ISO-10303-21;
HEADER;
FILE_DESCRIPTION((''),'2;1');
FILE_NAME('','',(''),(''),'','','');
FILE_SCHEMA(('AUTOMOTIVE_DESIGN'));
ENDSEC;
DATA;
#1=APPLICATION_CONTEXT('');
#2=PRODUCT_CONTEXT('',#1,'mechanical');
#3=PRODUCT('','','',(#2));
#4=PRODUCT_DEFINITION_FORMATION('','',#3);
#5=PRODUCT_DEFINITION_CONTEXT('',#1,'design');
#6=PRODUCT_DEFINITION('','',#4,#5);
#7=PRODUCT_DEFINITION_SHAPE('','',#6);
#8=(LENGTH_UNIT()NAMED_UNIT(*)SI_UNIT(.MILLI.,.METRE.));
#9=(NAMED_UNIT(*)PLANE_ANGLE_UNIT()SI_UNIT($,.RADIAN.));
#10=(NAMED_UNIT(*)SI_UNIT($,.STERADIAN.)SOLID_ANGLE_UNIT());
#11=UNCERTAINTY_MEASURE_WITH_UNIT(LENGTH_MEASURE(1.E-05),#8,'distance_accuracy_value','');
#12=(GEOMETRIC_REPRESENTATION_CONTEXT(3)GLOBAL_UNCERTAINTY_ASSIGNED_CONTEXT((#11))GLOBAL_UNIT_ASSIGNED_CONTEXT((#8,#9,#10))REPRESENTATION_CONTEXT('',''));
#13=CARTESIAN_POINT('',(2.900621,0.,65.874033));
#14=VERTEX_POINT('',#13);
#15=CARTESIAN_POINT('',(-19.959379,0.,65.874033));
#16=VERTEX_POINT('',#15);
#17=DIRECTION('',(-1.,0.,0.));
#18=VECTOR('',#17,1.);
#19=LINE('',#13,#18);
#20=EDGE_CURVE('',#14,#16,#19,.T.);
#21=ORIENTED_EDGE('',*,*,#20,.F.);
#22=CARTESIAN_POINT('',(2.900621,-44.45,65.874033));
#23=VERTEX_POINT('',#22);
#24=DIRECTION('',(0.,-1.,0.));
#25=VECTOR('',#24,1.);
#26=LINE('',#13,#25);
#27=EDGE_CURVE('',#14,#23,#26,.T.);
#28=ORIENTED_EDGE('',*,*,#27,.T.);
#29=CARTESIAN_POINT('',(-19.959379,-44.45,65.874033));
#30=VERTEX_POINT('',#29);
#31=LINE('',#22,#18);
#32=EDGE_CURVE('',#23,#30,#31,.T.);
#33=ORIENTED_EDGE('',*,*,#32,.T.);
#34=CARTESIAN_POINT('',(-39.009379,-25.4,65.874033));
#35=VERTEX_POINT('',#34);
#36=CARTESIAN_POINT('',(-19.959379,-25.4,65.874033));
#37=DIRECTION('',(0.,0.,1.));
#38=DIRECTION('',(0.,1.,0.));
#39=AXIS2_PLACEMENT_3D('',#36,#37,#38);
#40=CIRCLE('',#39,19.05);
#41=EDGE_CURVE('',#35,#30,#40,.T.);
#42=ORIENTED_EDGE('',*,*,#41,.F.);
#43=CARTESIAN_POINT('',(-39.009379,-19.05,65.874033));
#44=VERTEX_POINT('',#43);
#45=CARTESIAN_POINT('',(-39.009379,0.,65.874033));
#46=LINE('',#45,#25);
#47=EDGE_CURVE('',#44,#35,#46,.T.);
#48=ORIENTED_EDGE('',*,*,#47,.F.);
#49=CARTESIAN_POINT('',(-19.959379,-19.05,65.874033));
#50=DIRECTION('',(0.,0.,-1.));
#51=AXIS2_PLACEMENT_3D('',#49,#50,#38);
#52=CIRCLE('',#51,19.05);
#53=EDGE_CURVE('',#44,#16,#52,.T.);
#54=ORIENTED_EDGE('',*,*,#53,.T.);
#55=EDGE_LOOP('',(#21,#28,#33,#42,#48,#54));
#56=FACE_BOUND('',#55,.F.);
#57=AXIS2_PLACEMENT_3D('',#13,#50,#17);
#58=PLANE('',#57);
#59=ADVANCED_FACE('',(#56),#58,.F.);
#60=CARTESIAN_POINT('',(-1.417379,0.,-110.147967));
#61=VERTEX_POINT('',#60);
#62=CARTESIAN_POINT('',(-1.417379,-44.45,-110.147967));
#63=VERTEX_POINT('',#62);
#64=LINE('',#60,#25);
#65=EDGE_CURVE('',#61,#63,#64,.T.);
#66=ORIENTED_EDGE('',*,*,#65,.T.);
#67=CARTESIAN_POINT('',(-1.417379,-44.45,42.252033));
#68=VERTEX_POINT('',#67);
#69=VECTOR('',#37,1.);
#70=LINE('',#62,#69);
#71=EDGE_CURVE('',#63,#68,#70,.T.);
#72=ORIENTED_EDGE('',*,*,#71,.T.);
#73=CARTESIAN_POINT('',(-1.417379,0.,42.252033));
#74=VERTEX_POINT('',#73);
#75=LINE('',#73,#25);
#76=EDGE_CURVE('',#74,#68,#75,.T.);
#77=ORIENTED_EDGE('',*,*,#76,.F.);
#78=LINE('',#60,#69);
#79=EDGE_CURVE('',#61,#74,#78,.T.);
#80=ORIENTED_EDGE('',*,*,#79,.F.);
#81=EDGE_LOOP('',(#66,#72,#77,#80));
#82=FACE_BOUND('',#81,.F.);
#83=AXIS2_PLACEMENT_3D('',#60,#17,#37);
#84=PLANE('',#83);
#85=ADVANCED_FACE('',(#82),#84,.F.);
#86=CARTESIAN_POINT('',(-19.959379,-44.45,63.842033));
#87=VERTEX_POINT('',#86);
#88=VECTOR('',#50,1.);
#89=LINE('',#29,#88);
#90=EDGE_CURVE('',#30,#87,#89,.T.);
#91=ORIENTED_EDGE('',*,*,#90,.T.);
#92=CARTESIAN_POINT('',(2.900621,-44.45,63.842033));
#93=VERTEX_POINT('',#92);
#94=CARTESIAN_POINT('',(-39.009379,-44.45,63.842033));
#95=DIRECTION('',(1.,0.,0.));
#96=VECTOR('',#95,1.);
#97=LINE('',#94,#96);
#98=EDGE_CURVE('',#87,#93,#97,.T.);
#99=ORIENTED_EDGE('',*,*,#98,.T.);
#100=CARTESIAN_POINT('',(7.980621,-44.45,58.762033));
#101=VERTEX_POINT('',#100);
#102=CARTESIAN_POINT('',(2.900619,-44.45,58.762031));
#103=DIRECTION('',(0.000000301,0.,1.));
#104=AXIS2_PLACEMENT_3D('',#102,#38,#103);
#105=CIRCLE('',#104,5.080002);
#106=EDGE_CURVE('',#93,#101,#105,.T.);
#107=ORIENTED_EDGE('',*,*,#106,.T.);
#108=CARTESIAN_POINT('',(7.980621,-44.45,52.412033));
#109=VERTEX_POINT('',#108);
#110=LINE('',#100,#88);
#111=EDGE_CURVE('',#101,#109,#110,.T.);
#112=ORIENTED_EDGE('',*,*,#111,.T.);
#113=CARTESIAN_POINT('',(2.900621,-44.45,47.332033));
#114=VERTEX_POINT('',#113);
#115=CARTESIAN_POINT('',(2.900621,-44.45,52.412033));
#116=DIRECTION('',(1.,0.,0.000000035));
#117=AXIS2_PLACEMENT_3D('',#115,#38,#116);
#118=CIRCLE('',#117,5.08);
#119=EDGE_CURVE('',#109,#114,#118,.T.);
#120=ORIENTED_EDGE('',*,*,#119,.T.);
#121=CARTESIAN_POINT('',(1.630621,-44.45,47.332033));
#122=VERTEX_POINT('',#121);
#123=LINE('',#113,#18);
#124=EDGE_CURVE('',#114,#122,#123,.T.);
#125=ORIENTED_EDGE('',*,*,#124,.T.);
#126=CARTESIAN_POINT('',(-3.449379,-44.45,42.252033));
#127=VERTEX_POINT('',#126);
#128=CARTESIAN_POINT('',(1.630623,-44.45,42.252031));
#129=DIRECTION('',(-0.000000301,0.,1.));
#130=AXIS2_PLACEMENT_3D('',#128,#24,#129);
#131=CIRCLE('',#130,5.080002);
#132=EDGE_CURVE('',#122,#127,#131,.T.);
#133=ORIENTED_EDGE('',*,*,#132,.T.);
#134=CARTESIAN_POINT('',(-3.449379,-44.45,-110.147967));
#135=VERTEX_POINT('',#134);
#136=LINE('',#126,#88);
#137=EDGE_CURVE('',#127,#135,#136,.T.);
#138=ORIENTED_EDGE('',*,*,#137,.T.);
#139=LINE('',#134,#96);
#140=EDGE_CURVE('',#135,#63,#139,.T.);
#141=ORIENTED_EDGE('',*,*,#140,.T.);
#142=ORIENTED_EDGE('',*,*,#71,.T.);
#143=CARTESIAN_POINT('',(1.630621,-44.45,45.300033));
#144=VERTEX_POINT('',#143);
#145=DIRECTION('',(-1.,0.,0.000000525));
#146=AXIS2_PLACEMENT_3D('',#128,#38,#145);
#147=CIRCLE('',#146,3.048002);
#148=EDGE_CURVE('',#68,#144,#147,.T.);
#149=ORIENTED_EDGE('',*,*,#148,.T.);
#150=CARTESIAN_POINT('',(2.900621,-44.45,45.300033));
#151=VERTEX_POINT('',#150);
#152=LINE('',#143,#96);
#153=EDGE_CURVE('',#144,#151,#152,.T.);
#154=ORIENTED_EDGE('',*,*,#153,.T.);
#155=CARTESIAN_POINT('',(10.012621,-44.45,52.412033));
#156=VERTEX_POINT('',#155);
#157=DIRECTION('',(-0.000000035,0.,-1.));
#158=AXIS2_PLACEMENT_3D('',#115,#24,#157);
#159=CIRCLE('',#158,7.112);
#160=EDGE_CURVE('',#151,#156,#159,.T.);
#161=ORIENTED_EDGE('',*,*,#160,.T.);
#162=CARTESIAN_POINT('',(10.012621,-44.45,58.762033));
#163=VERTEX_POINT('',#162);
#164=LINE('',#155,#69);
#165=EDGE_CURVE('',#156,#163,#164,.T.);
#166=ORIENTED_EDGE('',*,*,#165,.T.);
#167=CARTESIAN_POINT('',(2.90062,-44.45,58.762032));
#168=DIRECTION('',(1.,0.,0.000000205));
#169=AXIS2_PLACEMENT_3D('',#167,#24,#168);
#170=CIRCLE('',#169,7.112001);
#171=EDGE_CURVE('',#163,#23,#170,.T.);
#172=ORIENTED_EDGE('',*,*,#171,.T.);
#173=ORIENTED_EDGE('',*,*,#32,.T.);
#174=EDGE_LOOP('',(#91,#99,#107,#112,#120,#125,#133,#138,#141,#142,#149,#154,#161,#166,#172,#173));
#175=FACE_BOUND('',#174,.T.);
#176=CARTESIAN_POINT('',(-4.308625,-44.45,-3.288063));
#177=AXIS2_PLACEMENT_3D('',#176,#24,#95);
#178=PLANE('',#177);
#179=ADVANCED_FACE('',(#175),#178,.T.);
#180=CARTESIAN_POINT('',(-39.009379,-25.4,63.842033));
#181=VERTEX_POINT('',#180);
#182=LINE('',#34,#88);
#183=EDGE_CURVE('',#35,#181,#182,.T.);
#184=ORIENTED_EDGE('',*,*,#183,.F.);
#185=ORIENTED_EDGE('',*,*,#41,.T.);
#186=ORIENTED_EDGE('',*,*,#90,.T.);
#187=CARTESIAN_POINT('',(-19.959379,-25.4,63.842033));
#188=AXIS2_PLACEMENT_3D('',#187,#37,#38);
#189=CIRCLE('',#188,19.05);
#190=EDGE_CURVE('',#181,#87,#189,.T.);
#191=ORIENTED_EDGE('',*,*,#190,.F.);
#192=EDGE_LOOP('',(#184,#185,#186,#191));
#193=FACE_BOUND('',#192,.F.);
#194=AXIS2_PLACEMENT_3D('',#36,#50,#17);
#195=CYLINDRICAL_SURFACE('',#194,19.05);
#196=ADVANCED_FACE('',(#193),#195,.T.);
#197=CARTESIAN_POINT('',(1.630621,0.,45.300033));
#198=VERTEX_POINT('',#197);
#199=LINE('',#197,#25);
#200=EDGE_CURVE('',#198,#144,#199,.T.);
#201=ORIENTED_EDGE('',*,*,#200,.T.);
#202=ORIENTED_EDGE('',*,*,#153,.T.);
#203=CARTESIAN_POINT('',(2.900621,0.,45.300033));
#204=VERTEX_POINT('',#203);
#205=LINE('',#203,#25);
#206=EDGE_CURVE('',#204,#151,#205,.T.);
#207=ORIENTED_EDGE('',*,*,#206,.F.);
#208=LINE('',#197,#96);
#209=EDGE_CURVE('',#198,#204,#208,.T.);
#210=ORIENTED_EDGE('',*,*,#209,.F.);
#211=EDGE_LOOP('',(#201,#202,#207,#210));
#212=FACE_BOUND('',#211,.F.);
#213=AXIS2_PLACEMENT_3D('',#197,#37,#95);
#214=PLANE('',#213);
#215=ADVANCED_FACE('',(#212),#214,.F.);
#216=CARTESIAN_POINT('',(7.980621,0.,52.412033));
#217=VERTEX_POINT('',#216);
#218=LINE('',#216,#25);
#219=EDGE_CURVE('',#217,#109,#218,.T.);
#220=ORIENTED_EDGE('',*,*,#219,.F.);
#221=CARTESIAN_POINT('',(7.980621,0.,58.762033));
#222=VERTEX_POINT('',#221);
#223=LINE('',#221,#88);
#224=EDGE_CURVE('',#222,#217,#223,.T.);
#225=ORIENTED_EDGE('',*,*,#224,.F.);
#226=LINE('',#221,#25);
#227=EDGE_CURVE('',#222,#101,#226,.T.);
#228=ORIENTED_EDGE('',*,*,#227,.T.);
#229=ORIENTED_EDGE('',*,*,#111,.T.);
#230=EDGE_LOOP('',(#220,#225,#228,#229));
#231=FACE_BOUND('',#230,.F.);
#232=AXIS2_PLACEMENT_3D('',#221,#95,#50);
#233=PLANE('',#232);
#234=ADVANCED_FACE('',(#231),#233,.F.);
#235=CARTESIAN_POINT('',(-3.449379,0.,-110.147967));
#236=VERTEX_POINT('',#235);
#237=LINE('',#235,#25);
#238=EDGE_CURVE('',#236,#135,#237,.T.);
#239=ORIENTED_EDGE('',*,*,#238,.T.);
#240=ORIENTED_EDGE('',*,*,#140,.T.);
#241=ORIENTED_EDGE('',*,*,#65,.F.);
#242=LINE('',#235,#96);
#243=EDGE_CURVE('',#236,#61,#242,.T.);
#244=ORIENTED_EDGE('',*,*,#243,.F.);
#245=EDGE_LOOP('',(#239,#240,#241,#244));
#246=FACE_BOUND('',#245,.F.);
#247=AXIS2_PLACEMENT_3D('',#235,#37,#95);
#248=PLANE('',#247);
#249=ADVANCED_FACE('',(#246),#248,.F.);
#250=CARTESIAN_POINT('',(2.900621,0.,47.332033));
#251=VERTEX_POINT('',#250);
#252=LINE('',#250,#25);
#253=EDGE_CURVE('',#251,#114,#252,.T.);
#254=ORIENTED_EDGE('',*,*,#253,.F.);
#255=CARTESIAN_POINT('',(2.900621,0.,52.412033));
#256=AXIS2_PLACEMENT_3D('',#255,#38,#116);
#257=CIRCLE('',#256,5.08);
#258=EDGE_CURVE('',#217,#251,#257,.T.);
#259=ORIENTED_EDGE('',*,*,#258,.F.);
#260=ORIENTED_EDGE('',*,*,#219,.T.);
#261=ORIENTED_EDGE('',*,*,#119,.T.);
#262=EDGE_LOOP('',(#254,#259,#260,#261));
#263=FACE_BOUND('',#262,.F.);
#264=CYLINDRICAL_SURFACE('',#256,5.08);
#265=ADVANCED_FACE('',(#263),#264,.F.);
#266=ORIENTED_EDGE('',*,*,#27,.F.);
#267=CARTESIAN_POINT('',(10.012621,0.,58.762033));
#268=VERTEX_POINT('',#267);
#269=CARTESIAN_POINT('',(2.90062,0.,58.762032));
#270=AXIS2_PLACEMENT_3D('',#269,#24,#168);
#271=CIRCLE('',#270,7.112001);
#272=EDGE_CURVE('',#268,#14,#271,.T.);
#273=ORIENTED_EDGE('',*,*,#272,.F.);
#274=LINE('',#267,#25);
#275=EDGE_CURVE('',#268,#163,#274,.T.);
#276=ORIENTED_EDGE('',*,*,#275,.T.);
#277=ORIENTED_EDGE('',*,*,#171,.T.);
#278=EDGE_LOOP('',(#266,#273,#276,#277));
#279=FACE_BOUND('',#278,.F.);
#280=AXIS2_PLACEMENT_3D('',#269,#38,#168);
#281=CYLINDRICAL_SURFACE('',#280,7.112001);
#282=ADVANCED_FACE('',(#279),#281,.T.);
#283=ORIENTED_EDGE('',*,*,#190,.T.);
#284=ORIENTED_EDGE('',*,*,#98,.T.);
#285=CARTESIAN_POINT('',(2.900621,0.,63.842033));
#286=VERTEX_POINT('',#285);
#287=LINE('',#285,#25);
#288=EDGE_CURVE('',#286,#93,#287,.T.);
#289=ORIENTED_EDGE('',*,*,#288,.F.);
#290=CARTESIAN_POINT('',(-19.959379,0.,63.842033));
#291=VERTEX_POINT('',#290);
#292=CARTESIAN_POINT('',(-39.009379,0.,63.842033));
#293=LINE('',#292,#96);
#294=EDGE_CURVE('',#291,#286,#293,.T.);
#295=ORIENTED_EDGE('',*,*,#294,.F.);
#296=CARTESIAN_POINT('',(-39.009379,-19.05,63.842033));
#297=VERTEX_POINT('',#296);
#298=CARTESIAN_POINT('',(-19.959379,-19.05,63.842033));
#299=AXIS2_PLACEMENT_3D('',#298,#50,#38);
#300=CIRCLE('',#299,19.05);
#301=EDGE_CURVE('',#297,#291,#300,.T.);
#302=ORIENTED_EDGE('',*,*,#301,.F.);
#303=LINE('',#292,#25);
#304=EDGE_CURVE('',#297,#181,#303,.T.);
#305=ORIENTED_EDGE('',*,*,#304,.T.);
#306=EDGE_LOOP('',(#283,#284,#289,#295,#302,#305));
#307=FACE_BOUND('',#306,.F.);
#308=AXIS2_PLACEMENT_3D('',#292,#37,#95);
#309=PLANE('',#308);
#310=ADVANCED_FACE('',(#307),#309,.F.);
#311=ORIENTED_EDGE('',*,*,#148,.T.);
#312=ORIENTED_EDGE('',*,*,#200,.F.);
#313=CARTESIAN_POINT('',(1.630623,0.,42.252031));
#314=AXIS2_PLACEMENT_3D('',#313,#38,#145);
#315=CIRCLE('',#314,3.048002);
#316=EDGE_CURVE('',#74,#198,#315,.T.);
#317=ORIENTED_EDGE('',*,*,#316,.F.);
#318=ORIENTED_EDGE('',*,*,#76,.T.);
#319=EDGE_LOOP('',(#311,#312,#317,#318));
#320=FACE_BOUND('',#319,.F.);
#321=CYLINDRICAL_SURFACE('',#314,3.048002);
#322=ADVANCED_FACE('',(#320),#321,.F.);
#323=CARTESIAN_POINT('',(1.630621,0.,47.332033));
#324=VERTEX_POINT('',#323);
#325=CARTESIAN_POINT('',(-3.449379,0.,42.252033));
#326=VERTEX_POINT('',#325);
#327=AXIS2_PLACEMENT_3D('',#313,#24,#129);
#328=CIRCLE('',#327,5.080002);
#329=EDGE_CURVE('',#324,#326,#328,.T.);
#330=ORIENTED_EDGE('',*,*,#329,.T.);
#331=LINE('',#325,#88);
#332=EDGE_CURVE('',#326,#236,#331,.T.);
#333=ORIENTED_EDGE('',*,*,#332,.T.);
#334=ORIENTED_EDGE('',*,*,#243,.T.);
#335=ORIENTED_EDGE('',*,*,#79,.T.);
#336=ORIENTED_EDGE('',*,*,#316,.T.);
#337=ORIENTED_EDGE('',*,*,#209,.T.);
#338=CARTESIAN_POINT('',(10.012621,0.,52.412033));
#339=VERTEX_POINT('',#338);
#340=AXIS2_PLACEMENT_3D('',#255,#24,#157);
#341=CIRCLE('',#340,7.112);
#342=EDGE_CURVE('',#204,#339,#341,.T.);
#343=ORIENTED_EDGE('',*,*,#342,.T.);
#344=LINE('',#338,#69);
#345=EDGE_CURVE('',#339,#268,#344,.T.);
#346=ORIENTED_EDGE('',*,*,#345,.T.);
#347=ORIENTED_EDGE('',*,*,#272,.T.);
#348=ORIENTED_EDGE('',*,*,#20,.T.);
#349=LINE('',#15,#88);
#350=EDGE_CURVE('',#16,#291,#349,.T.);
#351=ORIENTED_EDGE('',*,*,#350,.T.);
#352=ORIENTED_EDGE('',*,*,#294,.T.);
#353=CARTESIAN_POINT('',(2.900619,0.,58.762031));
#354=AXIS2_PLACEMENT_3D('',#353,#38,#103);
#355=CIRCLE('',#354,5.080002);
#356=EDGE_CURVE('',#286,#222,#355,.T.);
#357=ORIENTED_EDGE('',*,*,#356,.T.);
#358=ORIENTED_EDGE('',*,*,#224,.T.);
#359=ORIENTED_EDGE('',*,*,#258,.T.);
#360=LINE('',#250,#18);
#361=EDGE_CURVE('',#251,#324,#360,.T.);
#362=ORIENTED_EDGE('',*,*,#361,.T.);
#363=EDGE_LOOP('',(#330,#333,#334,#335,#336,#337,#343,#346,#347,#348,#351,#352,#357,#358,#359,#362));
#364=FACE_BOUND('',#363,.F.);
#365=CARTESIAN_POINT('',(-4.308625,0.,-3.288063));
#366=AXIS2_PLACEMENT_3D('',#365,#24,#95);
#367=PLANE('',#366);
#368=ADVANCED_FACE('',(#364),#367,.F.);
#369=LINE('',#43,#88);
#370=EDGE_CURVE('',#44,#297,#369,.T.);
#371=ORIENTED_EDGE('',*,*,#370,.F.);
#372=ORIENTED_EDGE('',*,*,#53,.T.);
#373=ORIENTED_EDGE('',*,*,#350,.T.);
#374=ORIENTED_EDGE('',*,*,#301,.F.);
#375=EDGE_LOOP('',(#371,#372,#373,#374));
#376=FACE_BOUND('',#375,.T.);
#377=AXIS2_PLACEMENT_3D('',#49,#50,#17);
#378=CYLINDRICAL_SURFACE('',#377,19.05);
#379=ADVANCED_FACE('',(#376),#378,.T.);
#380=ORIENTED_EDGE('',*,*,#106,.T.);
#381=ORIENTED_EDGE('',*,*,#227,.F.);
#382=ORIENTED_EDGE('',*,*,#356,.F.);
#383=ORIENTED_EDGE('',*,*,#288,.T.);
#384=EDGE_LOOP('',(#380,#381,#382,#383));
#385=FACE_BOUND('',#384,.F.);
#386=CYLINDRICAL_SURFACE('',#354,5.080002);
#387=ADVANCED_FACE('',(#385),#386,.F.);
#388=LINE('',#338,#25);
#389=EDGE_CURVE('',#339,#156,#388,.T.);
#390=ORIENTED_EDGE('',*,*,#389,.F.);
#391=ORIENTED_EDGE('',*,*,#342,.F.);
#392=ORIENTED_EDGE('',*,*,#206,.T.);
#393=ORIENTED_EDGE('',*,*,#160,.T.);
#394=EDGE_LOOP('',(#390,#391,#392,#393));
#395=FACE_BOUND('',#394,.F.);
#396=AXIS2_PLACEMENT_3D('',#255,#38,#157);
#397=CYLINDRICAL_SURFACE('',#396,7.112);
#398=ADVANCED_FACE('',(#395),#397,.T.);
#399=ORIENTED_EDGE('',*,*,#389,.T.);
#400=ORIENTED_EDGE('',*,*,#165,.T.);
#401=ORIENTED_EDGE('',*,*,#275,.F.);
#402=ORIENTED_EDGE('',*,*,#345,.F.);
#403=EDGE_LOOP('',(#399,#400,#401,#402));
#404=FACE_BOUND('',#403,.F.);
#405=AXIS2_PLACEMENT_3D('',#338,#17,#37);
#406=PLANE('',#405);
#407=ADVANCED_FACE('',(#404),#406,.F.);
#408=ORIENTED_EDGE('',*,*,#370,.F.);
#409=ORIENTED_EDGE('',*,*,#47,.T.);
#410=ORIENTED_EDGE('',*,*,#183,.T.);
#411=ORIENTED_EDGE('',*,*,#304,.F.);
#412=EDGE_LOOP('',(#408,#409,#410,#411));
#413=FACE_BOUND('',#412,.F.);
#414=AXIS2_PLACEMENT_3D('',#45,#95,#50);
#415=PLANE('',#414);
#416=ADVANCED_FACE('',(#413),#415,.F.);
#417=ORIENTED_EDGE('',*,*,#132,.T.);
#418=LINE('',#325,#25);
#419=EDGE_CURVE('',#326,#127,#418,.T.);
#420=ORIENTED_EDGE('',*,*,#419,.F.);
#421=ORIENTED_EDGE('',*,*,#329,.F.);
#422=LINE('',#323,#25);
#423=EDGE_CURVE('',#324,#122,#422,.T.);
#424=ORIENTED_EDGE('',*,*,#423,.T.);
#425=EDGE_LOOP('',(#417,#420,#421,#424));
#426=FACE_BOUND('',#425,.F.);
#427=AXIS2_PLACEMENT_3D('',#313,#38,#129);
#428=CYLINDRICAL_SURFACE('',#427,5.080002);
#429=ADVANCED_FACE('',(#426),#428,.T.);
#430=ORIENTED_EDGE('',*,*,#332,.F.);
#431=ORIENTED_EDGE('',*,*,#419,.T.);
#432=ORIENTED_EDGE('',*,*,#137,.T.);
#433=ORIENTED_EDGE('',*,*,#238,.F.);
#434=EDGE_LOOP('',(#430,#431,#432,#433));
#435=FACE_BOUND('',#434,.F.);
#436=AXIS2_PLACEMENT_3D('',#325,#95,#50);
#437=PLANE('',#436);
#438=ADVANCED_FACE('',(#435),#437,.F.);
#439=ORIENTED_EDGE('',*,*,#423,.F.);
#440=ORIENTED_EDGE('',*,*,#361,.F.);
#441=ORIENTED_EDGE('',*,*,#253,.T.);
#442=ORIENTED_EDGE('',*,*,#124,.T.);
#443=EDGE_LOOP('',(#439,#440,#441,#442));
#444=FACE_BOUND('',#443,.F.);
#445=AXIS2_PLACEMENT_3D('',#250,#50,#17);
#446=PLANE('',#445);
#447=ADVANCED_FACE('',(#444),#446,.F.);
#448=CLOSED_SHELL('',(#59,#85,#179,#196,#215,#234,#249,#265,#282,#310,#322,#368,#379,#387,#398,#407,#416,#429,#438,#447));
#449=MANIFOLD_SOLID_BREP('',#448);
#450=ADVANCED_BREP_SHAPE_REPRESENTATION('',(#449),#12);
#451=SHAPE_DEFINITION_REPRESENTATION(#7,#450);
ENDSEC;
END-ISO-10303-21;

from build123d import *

# Parameters (mm, degrees)
F1_DEPTH = 44.45
F2_R     = 19.05


with BuildPart() as f1:
    # F0 (on Front) → F1 (new body)
    with BuildSketch(Plane.XZ):
        with BuildLine():
            Line((-39.009379, 65.874033), (-39.009379, 63.842033))
            Line((-39.009379, 63.842033), (2.900621, 63.842033))
            ThreePointArc((2.900621, 63.842033), (6.492723, 62.354135), (7.980621, 58.762033))
            Line((7.980621, 58.762033), (7.980621, 52.412033))
            ThreePointArc((7.980621, 52.412033), (6.492723, 48.81993), (2.900621, 47.332033))
            Line((2.900621, 47.332033), (1.630621, 47.332033))
            ThreePointArc((1.630621, 47.332033), (-1.961481, 45.844135), (-3.449379, 42.252033))
            Line((-3.449379, 42.252033), (-3.449379, -110.147967))
            Line((-3.449379, -110.147967), (-1.417379, -110.147967))
            Line((-1.417379, -110.147967), (-1.417379, 42.252033))
            ThreePointArc((-1.417379, 42.252033), (-0.52464, 44.407294), (1.630621, 45.300033))
            Line((1.630621, 45.300033), (2.900621, 45.300033))
            ThreePointArc((2.900621, 45.300033), (7.929564, 47.383089), (10.012621, 52.412033))
            Line((10.012621, 52.412033), (10.012621, 58.762033))
            ThreePointArc((10.012621, 58.762033), (7.929564, 63.790976), (2.900621, 65.874033))
            Line((2.900621, 65.874033), (-39.009379, 65.874033))
        make_face()
    extrude(amount=F1_DEPTH)

    # F2
    f2_edges = [f1.edges().sort_by_distance(p)[0] for p in [
        (-39.009379, 0, 64.858033),
        (-39.009379, -44.45, 64.858033),
    ]]
    fillet(f2_edges, radius=F2_R)


solid = f1.part
